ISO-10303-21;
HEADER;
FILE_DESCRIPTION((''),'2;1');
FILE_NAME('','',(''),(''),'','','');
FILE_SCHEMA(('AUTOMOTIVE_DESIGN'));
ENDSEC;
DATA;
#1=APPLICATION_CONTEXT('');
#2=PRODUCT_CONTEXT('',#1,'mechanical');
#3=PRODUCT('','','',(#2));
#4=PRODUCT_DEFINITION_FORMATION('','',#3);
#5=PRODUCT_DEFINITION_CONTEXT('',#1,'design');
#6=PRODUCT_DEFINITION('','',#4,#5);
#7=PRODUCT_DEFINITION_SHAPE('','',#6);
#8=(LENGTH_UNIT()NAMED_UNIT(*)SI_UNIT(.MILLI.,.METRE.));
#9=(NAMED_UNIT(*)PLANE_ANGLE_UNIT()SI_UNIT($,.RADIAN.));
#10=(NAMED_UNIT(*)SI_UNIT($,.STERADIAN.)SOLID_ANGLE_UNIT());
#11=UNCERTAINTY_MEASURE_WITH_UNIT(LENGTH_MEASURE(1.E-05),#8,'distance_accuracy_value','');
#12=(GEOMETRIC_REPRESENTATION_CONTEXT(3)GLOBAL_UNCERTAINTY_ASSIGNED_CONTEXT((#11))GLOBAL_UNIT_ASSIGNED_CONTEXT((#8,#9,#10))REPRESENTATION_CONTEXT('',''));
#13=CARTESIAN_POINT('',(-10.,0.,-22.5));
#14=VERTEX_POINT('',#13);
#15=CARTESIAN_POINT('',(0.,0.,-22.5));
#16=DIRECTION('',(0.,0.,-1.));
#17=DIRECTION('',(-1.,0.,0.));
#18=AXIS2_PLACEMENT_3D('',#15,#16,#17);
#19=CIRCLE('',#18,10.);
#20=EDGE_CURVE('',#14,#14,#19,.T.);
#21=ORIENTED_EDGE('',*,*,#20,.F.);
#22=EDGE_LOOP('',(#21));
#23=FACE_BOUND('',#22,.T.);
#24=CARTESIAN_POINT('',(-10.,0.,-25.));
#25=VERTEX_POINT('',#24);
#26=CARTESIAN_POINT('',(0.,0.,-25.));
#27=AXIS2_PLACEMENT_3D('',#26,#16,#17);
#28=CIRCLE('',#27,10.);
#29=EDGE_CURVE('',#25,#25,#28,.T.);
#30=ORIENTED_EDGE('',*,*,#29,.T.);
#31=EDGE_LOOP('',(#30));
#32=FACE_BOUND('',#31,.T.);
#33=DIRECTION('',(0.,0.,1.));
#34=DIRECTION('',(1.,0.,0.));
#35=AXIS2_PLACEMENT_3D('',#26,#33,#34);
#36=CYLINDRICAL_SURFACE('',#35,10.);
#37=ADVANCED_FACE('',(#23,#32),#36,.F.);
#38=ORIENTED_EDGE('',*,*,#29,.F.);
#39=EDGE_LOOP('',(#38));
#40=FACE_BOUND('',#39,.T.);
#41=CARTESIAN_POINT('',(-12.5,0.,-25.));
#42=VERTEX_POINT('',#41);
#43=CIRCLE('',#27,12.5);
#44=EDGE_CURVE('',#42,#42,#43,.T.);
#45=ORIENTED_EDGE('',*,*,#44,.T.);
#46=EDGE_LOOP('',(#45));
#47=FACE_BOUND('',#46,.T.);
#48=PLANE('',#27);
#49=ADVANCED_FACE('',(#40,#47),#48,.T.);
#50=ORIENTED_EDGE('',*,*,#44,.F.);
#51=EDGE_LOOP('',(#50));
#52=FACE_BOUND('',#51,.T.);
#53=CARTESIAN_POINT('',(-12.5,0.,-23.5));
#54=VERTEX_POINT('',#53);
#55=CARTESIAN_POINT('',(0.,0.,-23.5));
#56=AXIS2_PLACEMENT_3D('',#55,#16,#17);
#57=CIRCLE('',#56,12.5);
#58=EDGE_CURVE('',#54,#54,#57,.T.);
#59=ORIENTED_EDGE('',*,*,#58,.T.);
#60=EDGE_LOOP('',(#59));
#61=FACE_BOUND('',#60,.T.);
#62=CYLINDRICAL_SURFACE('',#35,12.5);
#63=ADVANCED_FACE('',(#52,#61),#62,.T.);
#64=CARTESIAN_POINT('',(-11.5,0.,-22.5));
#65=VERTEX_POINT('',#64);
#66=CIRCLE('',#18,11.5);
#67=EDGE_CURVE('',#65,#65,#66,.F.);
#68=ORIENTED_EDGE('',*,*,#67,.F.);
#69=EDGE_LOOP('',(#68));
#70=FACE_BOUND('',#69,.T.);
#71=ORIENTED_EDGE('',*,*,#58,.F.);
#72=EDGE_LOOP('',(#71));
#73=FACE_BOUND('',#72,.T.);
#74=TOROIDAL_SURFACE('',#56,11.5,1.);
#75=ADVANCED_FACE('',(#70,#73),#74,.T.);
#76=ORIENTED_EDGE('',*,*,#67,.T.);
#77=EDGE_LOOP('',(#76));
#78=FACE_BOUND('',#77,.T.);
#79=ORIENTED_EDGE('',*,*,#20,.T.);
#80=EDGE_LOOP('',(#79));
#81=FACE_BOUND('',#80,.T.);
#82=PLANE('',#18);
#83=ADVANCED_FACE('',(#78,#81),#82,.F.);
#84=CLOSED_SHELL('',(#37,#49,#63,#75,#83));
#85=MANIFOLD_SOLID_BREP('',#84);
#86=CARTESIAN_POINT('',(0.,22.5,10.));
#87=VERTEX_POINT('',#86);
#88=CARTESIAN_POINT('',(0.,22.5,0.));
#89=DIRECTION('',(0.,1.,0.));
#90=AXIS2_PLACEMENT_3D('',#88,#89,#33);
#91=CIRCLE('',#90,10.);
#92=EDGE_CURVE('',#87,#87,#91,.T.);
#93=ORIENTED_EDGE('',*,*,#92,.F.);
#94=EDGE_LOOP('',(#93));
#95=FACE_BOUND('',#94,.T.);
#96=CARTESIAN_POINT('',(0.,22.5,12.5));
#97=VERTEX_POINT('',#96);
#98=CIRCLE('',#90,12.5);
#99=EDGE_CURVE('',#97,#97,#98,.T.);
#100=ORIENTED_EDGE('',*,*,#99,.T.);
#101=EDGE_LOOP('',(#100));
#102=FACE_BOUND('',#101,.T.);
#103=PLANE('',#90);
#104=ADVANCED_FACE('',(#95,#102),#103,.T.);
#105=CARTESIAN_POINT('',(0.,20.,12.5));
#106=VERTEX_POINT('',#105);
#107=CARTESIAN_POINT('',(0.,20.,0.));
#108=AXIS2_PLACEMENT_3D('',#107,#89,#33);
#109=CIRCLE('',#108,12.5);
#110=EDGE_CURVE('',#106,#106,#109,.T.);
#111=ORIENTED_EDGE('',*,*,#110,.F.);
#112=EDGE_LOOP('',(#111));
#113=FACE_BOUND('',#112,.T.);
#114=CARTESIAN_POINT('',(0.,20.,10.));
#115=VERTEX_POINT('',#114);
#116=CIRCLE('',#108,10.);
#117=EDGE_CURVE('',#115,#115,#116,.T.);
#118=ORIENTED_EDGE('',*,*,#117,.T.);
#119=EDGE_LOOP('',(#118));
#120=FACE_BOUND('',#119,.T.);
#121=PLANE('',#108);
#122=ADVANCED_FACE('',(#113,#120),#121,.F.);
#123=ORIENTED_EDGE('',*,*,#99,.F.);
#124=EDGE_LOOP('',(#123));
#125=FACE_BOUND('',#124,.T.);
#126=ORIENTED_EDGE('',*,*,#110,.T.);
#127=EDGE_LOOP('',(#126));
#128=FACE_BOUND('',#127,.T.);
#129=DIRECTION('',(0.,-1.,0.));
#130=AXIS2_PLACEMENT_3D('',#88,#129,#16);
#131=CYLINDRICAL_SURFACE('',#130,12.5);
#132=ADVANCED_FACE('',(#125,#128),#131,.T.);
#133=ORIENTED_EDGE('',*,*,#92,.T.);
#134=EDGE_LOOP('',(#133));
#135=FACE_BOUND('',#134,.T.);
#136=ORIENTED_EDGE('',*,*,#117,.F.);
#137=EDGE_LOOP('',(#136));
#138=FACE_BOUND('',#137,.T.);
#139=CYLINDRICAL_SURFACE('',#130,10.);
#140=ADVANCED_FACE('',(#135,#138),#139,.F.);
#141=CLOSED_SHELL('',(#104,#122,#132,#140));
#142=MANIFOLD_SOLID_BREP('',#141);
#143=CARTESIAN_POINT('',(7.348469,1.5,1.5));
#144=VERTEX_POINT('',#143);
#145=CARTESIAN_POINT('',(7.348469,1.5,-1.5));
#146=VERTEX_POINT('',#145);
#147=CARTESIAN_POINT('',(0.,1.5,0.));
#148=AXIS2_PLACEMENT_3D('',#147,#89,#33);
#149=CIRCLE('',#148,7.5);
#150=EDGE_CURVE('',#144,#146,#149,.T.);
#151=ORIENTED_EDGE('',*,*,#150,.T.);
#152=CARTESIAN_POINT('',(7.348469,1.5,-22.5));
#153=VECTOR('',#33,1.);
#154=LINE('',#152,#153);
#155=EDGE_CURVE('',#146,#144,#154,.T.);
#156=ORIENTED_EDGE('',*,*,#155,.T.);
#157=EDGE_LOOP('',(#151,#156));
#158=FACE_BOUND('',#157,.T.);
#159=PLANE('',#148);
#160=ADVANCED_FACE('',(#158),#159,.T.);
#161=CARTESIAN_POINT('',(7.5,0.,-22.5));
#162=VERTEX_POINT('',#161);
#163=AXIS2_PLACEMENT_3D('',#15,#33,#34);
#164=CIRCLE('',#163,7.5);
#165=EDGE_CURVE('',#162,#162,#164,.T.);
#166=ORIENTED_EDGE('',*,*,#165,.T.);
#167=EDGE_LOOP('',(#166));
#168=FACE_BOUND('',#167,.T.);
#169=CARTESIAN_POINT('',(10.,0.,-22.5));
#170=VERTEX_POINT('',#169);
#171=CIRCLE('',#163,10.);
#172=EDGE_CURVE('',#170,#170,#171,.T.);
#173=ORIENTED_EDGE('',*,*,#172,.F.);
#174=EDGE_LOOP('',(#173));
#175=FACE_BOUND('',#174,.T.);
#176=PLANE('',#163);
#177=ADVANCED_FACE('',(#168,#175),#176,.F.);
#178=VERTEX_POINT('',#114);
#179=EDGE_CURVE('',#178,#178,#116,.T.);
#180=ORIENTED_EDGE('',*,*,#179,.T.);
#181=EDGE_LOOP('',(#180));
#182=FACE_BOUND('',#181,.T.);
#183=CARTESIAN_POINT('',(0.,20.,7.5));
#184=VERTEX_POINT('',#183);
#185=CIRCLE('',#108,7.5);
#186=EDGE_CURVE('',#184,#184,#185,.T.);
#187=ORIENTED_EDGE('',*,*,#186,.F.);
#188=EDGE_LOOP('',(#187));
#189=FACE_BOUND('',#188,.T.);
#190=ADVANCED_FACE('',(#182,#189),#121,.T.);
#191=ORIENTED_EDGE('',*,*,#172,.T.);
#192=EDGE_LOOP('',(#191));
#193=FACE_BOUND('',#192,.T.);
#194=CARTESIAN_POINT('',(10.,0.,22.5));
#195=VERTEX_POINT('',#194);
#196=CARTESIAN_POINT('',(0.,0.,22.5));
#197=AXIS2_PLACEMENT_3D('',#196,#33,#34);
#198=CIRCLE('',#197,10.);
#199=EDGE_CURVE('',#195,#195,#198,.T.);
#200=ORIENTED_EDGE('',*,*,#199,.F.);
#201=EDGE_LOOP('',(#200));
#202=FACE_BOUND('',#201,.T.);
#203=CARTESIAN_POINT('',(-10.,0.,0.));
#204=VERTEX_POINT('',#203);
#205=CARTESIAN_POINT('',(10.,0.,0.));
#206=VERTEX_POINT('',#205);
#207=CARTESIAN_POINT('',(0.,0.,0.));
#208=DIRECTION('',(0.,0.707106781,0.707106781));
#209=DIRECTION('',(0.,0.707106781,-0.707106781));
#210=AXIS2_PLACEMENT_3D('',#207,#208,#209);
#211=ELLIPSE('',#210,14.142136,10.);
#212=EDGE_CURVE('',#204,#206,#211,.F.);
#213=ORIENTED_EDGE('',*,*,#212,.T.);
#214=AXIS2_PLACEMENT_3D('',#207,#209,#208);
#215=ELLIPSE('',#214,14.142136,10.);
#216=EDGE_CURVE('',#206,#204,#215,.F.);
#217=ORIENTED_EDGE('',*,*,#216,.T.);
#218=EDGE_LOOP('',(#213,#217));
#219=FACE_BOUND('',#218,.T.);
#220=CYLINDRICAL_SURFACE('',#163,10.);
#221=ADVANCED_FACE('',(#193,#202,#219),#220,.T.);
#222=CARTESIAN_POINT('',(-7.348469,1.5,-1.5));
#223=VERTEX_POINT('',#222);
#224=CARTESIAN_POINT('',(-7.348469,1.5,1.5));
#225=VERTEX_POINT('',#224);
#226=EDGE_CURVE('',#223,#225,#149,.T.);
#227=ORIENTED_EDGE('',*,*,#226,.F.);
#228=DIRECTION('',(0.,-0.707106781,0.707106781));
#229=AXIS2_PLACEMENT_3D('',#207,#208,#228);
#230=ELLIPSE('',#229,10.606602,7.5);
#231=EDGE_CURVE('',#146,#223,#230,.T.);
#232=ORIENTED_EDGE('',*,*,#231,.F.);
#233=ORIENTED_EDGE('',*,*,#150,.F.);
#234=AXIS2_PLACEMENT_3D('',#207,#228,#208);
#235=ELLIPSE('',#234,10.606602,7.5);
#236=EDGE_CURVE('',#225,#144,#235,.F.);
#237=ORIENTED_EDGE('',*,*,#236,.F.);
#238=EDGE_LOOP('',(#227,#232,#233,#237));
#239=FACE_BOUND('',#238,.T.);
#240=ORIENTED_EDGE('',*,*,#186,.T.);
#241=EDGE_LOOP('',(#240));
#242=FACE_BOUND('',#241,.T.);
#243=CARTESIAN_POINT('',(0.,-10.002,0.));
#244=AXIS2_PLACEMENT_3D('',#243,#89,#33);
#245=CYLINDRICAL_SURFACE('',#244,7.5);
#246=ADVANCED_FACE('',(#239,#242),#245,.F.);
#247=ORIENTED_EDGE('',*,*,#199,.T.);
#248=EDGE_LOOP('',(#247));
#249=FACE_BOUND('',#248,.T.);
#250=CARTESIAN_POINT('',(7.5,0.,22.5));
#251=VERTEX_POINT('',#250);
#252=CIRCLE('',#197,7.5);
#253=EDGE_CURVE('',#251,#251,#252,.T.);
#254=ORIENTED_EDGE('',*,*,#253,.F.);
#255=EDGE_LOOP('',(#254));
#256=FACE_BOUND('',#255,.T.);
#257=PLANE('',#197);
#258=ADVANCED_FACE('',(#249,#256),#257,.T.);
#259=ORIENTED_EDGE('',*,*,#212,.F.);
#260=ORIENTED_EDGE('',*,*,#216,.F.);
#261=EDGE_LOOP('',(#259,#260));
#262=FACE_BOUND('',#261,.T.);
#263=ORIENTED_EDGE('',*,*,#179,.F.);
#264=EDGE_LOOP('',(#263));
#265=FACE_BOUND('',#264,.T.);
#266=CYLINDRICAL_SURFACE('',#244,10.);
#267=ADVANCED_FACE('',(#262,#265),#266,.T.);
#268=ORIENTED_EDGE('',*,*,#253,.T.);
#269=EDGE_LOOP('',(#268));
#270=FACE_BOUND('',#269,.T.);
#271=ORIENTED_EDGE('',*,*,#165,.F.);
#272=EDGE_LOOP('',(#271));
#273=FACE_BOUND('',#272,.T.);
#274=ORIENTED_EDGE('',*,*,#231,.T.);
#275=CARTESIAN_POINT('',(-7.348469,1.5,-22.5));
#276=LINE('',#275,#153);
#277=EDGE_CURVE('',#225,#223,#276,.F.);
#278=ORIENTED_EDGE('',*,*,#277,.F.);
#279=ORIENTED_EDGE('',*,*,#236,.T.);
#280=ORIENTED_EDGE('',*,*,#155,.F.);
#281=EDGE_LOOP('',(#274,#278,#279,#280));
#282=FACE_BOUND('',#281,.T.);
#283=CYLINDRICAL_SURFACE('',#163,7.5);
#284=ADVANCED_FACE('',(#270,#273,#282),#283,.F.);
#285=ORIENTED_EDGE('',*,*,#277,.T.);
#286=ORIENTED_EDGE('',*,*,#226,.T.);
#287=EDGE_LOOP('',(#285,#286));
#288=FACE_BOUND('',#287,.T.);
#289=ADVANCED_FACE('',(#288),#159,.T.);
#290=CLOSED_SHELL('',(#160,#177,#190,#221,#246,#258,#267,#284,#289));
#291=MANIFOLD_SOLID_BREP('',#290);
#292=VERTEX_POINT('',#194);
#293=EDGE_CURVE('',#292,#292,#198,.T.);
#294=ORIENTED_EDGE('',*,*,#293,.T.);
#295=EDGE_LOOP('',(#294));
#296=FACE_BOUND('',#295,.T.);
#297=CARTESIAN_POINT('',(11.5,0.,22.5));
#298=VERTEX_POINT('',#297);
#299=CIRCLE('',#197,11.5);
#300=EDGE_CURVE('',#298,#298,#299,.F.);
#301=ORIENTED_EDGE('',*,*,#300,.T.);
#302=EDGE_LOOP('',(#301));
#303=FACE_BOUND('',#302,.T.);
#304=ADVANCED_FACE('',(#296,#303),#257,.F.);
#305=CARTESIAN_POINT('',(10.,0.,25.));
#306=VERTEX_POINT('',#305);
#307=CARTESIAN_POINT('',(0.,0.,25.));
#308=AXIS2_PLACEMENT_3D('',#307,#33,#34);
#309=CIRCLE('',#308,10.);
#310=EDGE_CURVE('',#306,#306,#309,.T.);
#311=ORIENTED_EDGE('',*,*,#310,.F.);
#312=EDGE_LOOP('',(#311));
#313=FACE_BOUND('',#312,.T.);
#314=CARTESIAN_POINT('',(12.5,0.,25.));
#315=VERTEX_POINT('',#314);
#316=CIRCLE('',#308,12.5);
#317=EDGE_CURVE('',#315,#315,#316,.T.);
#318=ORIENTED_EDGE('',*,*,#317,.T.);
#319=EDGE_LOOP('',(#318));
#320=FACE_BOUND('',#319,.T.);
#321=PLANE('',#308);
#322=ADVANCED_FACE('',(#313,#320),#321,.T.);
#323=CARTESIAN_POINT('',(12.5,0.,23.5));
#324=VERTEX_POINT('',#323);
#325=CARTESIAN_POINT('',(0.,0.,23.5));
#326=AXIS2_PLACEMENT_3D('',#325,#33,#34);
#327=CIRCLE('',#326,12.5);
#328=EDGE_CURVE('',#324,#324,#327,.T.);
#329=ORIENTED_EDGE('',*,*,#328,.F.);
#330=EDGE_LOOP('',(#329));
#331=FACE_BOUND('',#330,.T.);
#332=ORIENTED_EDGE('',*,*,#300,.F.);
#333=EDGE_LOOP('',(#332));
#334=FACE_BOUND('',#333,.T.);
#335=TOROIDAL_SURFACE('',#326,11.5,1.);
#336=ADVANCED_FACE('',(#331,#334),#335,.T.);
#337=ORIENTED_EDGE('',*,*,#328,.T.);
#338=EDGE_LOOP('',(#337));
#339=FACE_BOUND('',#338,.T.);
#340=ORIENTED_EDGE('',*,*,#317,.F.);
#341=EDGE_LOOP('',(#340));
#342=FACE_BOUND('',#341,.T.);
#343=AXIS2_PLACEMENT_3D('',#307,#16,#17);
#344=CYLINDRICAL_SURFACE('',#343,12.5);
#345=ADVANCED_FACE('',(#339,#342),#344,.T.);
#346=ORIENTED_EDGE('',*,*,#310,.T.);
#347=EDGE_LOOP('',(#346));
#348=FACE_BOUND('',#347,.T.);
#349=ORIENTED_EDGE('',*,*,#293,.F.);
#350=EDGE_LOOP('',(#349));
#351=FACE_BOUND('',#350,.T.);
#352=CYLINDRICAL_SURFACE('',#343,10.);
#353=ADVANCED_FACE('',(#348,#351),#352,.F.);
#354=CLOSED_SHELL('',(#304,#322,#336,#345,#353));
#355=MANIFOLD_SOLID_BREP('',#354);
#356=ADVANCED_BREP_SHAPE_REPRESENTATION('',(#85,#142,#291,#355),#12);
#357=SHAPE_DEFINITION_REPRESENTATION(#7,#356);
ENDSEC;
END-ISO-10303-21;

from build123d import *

# Parameters (mm, degrees)
CROQUIS2_R                   = 10
CROQUIS2_R_2                 = 7.5
SALIENTE_EXTRUIR1_DEPTH      = 22.5
SALIENTE_EXTRUIR1_DEPTH_BACK = 22.5
CROQUIS3_R                   = 12.5
CROQUIS3_R_2                 = 10
SALIENTE_EXTRUIR2_DEPTH      = 2.5
REDONDEO1_R                  = 1
CROQUIS4_R                   = 12.5
CROQUIS4_R_2                 = 10
SALIENTE_EXTRUIR3_DEPTH      = 2.5
REDONDEO2_R                  = 1
SALIENTE_EXTRUIR4_REACH      = 44.866
SALIENTE_EXTRUIR4_END_RADIUS = 10
CROQUIS5_R                   = 10
CROQUIS5_R_2                 = 7.5
CROQUIS7_R                   = 12.5
CROQUIS7_R_2                 = 10
SALIENTE_EXTRUIR5_DEPTH      = 2.5
CROQUIS8_R                   = 7.5
CORTAR_EXTRUIR4_DEPTH        = 18.5


with BuildPart() as part:
    # Croquis2 → Saliente-Extruir1 (new, two sides)
    with BuildSketch(Plane.XY) as saliente_extruir1_sk:
        Circle(CROQUIS2_R)
        Circle(CROQUIS2_R_2, mode=Mode.SUBTRACT)
    extrude(amount=SALIENTE_EXTRUIR1_DEPTH)
    extrude(saliente_extruir1_sk.sketch, amount=-SALIENTE_EXTRUIR1_DEPTH_BACK)

    # Saliente-Extruir4: up to this cylinder (the profile starts outside it)
    saliente_extruir4_end = Plane(origin=(0, 0, -9.717157), z_dir=(0, 0, 1)) * Cylinder(SALIENTE_EXTRUIR4_END_RADIUS, 110.732, mode=Mode.PRIVATE)
    # Croquis5 → Saliente-Extruir4 (add, up to the surface)
    with BuildSketch(Plane(origin=(0, 20, 0), x_dir=(1, 0, 0), z_dir=(0, 1, 0)), mode=Mode.PRIVATE) as saliente_extruir4_sk1:
        with Locations(Location((0, 0, 0), (0, 0, 270))):
            Circle(CROQUIS5_R)
        with Locations(Location((0, 0, 0), (0, 0, 270))):
            Circle(CROQUIS5_R_2, mode=Mode.SUBTRACT)
    saliente_extruir4_tool1 = extrude(saliente_extruir4_sk1.sketch, amount=-SALIENTE_EXTRUIR4_REACH, mode=Mode.PRIVATE) - saliente_extruir4_end
    add(saliente_extruir4_tool1.solids().sort_by_distance((0, 20, -9.717157))[0])

    # Croquis8 → Cortar-Extruir4 (cut)
    with BuildSketch(Plane(origin=(0, 20, 0), x_dir=(1, 0, 0), z_dir=(0, 1, 0))):
        with Locations(Location((0, 0, 0), (0, 0, 270))):
            Circle(CROQUIS8_R)
    extrude(amount=-CORTAR_EXTRUIR4_DEPTH, mode=Mode.SUBTRACT)


with BuildPart() as body_2:
    # Croquis3 → Saliente-Extruir2 (new body)
    with BuildSketch(Plane.XY.offset(22.5)):
        Circle(CROQUIS3_R)
        Circle(CROQUIS3_R_2, mode=Mode.SUBTRACT)
    extrude(amount=SALIENTE_EXTRUIR2_DEPTH)

    # Redondeo1
    redondeo1_edges = [body_2.edges().sort_by_distance(p)[0] for p in [
        (-12.5, 0, 22.5),
    ]]
    fillet(redondeo1_edges, radius=REDONDEO1_R)


with BuildPart() as body_3:
    # Croquis4 → Saliente-Extruir3 (new body)
    with BuildSketch(Plane(origin=(0, 0, -22.5), x_dir=(-1, 0, 0), z_dir=(0, 0, -1))):
        Circle(CROQUIS4_R)
        Circle(CROQUIS4_R_2, mode=Mode.SUBTRACT)
    extrude(amount=SALIENTE_EXTRUIR3_DEPTH)

    # Redondeo2
    redondeo2_edges = [body_3.edges().sort_by_distance(p)[0] for p in [
        (12.5, 0, -22.5),
    ]]
    fillet(redondeo2_edges, radius=REDONDEO2_R)


with BuildPart() as body_4:
    # Croquis7 → Saliente-Extruir5 (new body)
    with BuildSketch(Plane(origin=(0, 20, 0), x_dir=(1, 0, 0), z_dir=(0, 1, 0))):
        with Locations(Location((0, 0, 0), (0, 0, 270))):
            Circle(CROQUIS7_R)
        with Locations(Location((0, 0, 0), (0, 0, 270))):
            Circle(CROQUIS7_R_2, mode=Mode.SUBTRACT)
    extrude(amount=SALIENTE_EXTRUIR5_DEPTH)


solid = Compound([part.part, body_2.part, body_3.part, body_4.part])
